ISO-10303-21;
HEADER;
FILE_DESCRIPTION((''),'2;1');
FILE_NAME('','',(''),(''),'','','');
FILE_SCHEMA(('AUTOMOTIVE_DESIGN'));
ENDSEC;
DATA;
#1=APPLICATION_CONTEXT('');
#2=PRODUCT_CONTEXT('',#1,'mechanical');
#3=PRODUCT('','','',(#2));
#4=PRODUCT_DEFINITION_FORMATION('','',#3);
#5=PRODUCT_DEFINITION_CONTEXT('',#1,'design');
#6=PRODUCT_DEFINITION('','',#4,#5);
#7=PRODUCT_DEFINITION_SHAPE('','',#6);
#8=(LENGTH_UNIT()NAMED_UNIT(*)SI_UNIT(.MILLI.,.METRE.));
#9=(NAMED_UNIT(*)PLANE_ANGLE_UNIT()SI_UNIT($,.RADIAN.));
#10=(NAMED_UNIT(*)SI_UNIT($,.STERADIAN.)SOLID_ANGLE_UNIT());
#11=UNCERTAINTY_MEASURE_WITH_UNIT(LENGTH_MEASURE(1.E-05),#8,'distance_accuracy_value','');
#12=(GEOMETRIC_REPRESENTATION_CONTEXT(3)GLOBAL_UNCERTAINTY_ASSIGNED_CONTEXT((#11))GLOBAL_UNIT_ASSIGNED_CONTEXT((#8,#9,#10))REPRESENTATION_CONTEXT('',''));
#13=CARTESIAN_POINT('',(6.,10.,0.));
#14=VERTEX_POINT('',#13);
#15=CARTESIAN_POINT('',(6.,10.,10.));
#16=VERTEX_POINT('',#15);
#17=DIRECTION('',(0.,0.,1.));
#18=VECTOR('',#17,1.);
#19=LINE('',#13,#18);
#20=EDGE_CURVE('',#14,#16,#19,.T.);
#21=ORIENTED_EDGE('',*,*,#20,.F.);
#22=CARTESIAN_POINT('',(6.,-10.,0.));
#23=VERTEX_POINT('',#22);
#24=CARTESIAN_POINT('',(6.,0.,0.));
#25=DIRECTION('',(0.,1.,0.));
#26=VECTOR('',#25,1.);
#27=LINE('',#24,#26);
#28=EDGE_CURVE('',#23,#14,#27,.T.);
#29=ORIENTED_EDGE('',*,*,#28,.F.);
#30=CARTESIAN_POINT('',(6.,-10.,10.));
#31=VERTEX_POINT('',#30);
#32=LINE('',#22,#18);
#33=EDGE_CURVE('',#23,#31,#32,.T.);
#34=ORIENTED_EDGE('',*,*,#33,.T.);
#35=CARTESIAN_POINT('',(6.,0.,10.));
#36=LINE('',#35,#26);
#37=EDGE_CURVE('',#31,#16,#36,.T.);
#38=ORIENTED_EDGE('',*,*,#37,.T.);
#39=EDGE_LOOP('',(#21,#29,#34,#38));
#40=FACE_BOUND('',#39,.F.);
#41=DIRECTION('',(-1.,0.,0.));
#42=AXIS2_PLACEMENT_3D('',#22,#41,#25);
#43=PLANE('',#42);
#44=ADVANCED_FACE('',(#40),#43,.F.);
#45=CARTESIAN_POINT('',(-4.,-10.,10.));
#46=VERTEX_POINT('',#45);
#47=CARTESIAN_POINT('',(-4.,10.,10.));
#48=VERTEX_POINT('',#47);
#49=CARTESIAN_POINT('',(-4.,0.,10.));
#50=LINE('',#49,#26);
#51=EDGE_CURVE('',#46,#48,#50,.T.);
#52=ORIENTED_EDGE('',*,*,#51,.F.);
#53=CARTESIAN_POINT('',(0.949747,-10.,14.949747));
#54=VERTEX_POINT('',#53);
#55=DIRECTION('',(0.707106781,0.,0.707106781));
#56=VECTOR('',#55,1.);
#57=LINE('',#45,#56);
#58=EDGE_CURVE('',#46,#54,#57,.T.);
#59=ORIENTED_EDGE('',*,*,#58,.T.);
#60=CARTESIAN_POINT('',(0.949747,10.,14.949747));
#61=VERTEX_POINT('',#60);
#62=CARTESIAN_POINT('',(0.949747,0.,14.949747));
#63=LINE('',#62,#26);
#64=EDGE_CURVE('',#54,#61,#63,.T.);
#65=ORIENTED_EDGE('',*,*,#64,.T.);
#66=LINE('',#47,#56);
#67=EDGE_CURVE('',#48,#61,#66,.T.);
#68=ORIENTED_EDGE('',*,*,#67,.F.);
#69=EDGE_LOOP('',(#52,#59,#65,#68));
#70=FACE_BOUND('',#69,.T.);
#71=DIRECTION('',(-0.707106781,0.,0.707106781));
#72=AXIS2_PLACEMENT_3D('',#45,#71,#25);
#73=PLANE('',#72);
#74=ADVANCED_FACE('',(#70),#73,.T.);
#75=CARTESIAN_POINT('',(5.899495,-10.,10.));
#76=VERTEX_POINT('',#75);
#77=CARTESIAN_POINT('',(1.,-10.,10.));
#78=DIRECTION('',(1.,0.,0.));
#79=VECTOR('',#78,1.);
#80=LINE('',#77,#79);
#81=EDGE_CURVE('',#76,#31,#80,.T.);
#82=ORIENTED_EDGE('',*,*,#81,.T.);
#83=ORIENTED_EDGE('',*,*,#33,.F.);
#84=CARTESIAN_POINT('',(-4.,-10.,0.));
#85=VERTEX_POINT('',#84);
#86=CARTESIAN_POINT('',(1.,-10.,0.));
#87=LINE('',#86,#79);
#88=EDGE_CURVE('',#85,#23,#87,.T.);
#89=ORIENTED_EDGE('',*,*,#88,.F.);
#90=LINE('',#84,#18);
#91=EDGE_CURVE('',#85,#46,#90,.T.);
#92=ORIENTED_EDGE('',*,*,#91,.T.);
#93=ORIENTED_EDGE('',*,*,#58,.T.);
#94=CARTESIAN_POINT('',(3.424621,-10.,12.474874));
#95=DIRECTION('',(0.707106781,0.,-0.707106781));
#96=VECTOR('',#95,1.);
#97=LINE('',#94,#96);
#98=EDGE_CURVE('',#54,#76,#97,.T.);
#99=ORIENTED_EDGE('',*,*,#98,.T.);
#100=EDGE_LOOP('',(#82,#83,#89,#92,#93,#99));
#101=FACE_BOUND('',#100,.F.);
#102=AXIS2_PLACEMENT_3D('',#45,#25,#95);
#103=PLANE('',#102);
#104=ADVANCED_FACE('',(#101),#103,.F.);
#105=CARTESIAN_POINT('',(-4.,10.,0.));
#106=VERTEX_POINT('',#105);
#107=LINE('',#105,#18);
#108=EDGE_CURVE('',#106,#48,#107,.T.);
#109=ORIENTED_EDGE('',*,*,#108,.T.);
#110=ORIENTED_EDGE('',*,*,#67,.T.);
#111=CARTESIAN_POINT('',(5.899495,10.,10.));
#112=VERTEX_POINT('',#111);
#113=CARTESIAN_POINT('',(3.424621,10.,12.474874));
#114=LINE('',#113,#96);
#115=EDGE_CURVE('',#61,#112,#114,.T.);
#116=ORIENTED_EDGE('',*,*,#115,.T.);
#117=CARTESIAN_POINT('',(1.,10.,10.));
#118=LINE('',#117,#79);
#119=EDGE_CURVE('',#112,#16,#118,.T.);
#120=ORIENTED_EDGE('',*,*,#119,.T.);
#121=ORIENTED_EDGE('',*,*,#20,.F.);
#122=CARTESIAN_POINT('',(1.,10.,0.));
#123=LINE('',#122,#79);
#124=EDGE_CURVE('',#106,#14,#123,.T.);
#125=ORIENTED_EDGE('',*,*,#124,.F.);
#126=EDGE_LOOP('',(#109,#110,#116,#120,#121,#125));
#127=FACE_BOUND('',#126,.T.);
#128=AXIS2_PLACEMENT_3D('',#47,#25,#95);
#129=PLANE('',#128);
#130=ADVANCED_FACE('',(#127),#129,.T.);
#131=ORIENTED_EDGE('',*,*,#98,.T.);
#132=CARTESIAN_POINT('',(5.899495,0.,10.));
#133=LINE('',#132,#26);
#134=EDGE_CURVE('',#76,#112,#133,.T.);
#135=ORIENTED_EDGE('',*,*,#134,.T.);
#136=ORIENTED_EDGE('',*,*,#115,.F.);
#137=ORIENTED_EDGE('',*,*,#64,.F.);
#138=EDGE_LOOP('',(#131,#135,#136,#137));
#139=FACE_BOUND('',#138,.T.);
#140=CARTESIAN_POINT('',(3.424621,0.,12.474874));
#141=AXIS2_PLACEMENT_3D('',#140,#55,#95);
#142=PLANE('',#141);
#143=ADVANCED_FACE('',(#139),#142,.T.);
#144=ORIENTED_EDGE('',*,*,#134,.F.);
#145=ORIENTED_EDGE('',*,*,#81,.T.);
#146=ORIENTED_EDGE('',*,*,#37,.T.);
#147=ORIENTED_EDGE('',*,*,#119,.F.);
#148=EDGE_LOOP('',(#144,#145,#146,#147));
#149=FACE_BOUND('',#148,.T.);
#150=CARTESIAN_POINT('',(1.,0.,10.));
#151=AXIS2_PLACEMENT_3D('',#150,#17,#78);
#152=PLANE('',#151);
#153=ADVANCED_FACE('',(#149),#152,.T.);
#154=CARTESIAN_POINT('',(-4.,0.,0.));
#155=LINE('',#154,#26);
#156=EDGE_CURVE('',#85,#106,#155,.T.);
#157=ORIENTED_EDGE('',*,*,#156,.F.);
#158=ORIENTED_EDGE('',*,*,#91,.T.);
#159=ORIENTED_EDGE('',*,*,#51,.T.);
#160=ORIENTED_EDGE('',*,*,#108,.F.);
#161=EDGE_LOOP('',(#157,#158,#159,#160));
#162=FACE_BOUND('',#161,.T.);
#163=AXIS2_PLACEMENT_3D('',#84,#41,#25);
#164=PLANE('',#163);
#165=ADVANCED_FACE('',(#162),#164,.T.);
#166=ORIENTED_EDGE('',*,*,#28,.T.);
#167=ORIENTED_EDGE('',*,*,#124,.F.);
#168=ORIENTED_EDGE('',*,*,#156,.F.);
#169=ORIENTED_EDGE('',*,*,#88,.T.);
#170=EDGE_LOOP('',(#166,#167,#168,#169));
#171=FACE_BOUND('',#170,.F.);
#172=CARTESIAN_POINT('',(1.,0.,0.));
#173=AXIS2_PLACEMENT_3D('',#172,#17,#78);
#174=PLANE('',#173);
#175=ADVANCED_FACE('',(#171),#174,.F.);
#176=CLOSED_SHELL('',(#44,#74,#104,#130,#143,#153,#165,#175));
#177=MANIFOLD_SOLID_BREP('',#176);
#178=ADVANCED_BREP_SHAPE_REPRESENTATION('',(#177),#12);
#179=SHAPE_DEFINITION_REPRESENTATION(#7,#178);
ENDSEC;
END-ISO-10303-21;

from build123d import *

# Parameters (mm, degrees)
BOX001_W               = 7
BOX001_H               = 20
BOX001_DEPTH           = 7
BOX001_PLACEMENT_ANGLE = 45
BOX_W                  = 10
BOX_H                  = 20
BOX_DEPTH              = 10


with BuildPart() as cub001:
    # Box001 → Box001 (new body)
    with BuildSketch(Plane.XY):
        with Locations((3.5, 10)):
            Rectangle(BOX001_W, BOX001_H)
    extrude(amount=BOX001_DEPTH)


with BuildPart() as cub001_1:
    # Box001 placement: moved
    add(cub001.part.moved(Location((0, 0, 10))).rotate(Axis((0, 0, 10), (0, 1, 0)), BOX001_PLACEMENT_ANGLE))


with BuildPart() as fusion:
    # Box → Box (new body)
    with BuildSketch(Plane.XY):
        with Locations((5, 10)):
            Rectangle(BOX_W, BOX_H)
    extrude(amount=BOX_DEPTH)

    # Fusion: union Cub001
    add(cub001_1.part)


with BuildPart() as fusion_1:
    # Fusion placement: moved
    add(fusion.part.moved(Location((-4, -10, 0))))


solid = fusion_1.part
